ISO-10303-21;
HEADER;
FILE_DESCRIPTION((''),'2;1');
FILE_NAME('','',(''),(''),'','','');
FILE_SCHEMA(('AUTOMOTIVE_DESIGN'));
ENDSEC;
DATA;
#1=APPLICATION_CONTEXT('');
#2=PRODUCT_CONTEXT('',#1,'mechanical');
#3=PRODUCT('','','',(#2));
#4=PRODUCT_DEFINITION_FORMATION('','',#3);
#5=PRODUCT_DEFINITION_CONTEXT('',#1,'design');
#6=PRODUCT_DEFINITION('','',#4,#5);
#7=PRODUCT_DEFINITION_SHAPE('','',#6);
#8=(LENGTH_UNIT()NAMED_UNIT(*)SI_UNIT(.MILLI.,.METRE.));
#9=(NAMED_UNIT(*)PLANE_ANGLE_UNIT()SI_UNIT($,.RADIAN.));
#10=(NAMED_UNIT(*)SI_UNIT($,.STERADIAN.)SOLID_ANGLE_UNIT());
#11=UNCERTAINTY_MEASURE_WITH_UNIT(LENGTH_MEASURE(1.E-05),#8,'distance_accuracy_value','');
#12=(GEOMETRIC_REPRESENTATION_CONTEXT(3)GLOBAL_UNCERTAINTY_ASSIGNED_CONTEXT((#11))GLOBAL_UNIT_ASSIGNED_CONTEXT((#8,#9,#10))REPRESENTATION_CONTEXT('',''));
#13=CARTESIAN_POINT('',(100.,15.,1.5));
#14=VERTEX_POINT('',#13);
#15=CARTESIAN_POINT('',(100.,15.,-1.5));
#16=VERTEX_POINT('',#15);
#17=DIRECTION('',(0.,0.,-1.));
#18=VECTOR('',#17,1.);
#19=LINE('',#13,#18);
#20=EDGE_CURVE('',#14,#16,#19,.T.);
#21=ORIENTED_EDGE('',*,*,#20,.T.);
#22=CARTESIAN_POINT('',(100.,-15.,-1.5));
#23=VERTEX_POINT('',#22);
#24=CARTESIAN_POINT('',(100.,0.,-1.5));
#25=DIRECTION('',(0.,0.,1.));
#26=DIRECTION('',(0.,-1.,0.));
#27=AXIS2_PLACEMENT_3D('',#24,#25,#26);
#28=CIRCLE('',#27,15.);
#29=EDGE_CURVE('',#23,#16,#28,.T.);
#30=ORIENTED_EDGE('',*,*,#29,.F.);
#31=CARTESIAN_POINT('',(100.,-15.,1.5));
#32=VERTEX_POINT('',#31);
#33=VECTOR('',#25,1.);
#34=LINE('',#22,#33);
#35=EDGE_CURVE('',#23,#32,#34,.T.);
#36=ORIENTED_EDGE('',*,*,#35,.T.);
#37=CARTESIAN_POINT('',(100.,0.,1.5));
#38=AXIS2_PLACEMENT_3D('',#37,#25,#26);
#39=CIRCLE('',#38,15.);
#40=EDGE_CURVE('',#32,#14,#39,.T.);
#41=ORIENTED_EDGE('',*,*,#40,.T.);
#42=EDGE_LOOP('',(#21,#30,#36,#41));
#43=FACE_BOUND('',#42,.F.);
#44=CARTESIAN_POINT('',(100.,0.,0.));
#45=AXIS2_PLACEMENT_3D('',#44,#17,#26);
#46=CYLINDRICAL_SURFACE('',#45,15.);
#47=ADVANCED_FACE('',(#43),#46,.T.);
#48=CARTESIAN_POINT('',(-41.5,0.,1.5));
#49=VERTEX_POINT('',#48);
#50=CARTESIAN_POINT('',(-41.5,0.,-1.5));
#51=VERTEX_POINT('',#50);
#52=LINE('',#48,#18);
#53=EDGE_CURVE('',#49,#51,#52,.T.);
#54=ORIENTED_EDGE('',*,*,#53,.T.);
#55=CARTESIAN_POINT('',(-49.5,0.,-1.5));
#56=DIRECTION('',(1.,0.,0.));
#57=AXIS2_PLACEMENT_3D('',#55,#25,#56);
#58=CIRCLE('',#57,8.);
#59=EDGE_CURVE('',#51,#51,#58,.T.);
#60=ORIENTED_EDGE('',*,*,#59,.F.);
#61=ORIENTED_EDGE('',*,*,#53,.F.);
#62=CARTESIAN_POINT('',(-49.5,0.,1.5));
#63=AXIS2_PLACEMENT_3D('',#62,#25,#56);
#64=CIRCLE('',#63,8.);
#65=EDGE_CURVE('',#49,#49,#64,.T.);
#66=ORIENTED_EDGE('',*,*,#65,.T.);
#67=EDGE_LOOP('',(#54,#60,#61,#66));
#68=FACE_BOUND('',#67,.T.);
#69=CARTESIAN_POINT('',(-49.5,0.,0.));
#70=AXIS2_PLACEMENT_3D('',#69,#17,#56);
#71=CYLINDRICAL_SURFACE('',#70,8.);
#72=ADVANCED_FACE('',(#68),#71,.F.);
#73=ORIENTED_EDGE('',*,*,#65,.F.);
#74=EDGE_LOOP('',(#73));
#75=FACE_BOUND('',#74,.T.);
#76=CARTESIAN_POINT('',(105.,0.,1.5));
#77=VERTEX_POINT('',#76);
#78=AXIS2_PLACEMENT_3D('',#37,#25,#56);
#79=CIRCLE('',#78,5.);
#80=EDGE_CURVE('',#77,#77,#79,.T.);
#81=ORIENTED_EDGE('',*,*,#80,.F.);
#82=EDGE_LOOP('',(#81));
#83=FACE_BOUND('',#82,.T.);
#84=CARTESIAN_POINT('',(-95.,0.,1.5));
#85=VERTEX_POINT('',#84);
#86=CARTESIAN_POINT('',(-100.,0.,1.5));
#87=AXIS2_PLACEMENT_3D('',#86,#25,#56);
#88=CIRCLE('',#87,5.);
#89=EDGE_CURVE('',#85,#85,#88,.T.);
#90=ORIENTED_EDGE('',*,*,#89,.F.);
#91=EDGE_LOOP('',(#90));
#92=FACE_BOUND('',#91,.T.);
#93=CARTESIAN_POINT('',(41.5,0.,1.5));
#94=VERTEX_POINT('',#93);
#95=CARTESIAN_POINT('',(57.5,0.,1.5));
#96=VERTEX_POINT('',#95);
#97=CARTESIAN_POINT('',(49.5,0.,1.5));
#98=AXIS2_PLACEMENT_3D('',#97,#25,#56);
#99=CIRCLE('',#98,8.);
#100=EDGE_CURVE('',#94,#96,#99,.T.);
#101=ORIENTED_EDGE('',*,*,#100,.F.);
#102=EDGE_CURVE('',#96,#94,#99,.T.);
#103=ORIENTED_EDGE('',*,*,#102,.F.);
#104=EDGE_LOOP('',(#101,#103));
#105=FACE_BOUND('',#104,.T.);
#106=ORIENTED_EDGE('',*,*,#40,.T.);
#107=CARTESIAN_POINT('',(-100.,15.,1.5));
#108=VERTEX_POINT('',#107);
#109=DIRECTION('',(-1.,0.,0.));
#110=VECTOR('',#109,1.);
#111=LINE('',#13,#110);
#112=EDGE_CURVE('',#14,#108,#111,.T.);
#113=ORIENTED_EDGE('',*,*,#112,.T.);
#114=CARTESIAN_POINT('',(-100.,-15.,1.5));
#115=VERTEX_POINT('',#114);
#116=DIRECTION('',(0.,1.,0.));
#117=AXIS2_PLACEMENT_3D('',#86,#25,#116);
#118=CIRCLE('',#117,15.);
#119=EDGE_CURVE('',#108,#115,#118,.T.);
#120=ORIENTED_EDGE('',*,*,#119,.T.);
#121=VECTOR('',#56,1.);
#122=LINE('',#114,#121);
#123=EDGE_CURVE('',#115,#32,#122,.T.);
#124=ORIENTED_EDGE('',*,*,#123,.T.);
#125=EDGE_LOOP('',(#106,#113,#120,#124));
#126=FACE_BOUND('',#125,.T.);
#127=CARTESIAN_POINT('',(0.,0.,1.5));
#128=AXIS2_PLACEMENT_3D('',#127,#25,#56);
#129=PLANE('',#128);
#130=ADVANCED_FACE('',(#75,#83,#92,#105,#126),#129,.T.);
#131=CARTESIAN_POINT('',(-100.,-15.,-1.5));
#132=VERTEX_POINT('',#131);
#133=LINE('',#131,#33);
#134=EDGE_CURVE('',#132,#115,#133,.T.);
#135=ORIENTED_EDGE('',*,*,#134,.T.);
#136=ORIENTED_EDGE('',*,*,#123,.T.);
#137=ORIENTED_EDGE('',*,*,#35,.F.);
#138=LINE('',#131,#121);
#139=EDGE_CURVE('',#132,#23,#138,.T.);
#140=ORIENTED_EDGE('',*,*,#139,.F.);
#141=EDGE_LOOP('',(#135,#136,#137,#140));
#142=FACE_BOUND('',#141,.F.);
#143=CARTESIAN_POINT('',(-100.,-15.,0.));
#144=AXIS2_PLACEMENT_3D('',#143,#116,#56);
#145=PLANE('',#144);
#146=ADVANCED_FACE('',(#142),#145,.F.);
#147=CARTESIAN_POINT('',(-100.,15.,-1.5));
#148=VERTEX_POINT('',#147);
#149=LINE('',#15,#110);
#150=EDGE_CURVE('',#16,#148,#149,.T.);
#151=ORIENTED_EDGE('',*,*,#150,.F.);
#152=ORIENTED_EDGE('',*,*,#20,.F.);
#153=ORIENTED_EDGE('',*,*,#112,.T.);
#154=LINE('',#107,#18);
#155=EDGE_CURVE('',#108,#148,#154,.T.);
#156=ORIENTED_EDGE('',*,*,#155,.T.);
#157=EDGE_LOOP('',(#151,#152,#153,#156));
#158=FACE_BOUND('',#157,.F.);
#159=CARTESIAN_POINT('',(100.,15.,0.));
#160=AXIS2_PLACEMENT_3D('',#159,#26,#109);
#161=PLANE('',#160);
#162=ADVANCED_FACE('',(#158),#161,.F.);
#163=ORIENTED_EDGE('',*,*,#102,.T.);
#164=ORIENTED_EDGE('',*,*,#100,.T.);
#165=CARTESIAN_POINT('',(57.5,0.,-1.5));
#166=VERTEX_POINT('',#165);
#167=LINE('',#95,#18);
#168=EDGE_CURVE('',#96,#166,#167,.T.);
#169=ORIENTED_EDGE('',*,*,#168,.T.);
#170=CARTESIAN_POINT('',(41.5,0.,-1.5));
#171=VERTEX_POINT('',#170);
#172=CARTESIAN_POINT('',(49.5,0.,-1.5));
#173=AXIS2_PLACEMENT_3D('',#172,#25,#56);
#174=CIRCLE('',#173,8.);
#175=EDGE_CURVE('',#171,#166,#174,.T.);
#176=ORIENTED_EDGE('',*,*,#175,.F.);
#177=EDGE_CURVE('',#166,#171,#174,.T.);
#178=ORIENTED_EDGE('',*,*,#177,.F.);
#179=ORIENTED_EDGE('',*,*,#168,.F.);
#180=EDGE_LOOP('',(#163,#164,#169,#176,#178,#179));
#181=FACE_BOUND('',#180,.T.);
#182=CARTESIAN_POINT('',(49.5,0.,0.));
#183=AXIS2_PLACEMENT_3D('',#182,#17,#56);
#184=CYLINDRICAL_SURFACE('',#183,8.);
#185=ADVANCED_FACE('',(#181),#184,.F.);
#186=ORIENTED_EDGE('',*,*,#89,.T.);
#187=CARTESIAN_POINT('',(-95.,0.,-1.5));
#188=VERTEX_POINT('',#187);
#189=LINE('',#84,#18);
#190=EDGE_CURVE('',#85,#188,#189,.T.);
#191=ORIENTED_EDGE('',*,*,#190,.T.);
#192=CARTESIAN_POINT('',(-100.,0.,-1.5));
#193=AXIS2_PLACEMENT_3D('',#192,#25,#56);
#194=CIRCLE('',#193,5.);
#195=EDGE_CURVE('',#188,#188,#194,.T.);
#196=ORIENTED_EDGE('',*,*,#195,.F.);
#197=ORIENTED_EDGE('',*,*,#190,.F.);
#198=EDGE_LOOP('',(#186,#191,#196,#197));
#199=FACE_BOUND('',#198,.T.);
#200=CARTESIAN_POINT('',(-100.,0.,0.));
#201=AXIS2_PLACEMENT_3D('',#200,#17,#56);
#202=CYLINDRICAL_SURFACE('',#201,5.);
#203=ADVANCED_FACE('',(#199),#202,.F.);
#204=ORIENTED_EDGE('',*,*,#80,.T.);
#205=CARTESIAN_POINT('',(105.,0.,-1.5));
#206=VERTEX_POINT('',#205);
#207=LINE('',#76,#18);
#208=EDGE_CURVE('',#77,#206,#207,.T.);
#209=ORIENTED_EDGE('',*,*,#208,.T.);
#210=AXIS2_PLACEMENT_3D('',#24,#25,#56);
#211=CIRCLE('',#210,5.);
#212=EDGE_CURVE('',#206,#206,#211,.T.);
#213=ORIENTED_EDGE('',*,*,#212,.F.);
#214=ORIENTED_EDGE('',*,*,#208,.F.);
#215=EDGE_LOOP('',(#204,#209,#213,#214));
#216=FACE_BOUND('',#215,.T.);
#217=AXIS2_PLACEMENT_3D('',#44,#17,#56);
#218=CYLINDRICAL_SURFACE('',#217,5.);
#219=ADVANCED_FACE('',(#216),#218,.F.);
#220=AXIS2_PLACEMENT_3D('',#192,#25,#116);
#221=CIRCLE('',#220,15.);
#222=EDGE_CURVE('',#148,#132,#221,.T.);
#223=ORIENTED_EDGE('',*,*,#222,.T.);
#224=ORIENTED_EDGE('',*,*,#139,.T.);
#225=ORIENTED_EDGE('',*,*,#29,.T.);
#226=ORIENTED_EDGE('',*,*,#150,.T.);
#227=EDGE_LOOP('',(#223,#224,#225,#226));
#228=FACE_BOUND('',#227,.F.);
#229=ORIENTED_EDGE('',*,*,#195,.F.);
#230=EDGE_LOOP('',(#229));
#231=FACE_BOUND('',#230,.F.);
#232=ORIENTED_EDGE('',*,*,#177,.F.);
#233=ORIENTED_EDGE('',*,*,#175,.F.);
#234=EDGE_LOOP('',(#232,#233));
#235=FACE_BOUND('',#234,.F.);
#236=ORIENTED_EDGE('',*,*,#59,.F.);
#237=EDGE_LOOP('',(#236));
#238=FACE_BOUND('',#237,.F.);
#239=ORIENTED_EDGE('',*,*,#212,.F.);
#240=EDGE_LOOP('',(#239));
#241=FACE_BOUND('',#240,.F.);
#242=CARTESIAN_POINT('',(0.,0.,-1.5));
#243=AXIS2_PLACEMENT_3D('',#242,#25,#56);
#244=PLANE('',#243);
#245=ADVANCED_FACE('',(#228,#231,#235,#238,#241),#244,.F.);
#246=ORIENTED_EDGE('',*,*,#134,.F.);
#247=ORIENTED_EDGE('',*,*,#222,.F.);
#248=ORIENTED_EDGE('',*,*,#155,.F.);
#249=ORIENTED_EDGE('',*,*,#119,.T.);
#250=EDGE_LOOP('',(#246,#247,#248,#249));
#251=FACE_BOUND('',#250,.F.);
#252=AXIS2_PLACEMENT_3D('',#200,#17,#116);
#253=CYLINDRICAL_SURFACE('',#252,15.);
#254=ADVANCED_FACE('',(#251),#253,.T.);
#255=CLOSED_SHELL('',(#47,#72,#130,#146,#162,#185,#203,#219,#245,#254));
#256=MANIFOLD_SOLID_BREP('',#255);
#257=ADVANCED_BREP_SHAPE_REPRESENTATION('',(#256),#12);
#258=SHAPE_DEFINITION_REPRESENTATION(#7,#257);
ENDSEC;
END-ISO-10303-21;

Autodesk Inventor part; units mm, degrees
ref_plane "YZ Plane" through (0, 0, 0) normal (1, 0, 0) x (0, 1, 0)
ref_plane "XZ Plane" through (0, 0, 0) normal (0, 1, 0) x (-1, 0, 0)
ref_plane "XY Plane" through (0, 0, 0) normal (0, 0, 1) x (1, 0, 0)
sketch "Esboço1" plane through (0, 0, 0) normal (0, 0, 1) x (1, 0, 0)
  line L0 (-100, 0) -> (100, 0) construction
  line L1 (-100, -15) -> (100, -15)
  line L2 (100, 15) -> (-100, 15)
  arc A0 (-100, 15) -> (-100, -15) centre (-100, 0) ccw
  arc A1 (100, -15) -> (100, 15) centre (100, 0) ccw
  circle A2 centre (-49.5, 0) radius 8
  circle A3 centre (-100, 0) radius 5
  circle A4 centre (49.5, 0) radius 8
  circle A5 centre (100, 0) radius 5
  line L3 (-49.5, 0) -> (49.5, 0)
  line L4 (0, 0) -> (0, 8) construction
  line L5 (0, 0) -> (0, 24.2657) construction
  point P0 (115, 0)
  point P1 (-115, 0)
  dimension "d1" = 16
  dimension "d2" = 10
  dimension "d3" = 16
  dimension "d4" = 10
  dimension "d5" = 99
  dimension "d7" = 30
  dimension "d10" = 200
extrude "Extrusão1" add sketch "Esboço1" along normal mid plane 3
sketch "Esboço2" plane through (0, 0, 1.5) normal (0, 0, 1) x (1, 0, 0)
  circle A0 centre (-49.5, 0) radius 8 projected
  line L0 (-41.5, 0) -> (0, 0)
sketch "Esboço3" plane through (0, 0, -1.5) normal (0, 0, -1) x (-1, 0, 0)
  circle A0 centre (-49.5, 0) radius 8 projected
  circle A1 centre (49.5, 0) radius 8 projected
  line L0 (-49.5, 0) -> (49.5, 0)
  line L1 (0, 0) -> (0, -45.006)
properties part number "Base - Batentes"
